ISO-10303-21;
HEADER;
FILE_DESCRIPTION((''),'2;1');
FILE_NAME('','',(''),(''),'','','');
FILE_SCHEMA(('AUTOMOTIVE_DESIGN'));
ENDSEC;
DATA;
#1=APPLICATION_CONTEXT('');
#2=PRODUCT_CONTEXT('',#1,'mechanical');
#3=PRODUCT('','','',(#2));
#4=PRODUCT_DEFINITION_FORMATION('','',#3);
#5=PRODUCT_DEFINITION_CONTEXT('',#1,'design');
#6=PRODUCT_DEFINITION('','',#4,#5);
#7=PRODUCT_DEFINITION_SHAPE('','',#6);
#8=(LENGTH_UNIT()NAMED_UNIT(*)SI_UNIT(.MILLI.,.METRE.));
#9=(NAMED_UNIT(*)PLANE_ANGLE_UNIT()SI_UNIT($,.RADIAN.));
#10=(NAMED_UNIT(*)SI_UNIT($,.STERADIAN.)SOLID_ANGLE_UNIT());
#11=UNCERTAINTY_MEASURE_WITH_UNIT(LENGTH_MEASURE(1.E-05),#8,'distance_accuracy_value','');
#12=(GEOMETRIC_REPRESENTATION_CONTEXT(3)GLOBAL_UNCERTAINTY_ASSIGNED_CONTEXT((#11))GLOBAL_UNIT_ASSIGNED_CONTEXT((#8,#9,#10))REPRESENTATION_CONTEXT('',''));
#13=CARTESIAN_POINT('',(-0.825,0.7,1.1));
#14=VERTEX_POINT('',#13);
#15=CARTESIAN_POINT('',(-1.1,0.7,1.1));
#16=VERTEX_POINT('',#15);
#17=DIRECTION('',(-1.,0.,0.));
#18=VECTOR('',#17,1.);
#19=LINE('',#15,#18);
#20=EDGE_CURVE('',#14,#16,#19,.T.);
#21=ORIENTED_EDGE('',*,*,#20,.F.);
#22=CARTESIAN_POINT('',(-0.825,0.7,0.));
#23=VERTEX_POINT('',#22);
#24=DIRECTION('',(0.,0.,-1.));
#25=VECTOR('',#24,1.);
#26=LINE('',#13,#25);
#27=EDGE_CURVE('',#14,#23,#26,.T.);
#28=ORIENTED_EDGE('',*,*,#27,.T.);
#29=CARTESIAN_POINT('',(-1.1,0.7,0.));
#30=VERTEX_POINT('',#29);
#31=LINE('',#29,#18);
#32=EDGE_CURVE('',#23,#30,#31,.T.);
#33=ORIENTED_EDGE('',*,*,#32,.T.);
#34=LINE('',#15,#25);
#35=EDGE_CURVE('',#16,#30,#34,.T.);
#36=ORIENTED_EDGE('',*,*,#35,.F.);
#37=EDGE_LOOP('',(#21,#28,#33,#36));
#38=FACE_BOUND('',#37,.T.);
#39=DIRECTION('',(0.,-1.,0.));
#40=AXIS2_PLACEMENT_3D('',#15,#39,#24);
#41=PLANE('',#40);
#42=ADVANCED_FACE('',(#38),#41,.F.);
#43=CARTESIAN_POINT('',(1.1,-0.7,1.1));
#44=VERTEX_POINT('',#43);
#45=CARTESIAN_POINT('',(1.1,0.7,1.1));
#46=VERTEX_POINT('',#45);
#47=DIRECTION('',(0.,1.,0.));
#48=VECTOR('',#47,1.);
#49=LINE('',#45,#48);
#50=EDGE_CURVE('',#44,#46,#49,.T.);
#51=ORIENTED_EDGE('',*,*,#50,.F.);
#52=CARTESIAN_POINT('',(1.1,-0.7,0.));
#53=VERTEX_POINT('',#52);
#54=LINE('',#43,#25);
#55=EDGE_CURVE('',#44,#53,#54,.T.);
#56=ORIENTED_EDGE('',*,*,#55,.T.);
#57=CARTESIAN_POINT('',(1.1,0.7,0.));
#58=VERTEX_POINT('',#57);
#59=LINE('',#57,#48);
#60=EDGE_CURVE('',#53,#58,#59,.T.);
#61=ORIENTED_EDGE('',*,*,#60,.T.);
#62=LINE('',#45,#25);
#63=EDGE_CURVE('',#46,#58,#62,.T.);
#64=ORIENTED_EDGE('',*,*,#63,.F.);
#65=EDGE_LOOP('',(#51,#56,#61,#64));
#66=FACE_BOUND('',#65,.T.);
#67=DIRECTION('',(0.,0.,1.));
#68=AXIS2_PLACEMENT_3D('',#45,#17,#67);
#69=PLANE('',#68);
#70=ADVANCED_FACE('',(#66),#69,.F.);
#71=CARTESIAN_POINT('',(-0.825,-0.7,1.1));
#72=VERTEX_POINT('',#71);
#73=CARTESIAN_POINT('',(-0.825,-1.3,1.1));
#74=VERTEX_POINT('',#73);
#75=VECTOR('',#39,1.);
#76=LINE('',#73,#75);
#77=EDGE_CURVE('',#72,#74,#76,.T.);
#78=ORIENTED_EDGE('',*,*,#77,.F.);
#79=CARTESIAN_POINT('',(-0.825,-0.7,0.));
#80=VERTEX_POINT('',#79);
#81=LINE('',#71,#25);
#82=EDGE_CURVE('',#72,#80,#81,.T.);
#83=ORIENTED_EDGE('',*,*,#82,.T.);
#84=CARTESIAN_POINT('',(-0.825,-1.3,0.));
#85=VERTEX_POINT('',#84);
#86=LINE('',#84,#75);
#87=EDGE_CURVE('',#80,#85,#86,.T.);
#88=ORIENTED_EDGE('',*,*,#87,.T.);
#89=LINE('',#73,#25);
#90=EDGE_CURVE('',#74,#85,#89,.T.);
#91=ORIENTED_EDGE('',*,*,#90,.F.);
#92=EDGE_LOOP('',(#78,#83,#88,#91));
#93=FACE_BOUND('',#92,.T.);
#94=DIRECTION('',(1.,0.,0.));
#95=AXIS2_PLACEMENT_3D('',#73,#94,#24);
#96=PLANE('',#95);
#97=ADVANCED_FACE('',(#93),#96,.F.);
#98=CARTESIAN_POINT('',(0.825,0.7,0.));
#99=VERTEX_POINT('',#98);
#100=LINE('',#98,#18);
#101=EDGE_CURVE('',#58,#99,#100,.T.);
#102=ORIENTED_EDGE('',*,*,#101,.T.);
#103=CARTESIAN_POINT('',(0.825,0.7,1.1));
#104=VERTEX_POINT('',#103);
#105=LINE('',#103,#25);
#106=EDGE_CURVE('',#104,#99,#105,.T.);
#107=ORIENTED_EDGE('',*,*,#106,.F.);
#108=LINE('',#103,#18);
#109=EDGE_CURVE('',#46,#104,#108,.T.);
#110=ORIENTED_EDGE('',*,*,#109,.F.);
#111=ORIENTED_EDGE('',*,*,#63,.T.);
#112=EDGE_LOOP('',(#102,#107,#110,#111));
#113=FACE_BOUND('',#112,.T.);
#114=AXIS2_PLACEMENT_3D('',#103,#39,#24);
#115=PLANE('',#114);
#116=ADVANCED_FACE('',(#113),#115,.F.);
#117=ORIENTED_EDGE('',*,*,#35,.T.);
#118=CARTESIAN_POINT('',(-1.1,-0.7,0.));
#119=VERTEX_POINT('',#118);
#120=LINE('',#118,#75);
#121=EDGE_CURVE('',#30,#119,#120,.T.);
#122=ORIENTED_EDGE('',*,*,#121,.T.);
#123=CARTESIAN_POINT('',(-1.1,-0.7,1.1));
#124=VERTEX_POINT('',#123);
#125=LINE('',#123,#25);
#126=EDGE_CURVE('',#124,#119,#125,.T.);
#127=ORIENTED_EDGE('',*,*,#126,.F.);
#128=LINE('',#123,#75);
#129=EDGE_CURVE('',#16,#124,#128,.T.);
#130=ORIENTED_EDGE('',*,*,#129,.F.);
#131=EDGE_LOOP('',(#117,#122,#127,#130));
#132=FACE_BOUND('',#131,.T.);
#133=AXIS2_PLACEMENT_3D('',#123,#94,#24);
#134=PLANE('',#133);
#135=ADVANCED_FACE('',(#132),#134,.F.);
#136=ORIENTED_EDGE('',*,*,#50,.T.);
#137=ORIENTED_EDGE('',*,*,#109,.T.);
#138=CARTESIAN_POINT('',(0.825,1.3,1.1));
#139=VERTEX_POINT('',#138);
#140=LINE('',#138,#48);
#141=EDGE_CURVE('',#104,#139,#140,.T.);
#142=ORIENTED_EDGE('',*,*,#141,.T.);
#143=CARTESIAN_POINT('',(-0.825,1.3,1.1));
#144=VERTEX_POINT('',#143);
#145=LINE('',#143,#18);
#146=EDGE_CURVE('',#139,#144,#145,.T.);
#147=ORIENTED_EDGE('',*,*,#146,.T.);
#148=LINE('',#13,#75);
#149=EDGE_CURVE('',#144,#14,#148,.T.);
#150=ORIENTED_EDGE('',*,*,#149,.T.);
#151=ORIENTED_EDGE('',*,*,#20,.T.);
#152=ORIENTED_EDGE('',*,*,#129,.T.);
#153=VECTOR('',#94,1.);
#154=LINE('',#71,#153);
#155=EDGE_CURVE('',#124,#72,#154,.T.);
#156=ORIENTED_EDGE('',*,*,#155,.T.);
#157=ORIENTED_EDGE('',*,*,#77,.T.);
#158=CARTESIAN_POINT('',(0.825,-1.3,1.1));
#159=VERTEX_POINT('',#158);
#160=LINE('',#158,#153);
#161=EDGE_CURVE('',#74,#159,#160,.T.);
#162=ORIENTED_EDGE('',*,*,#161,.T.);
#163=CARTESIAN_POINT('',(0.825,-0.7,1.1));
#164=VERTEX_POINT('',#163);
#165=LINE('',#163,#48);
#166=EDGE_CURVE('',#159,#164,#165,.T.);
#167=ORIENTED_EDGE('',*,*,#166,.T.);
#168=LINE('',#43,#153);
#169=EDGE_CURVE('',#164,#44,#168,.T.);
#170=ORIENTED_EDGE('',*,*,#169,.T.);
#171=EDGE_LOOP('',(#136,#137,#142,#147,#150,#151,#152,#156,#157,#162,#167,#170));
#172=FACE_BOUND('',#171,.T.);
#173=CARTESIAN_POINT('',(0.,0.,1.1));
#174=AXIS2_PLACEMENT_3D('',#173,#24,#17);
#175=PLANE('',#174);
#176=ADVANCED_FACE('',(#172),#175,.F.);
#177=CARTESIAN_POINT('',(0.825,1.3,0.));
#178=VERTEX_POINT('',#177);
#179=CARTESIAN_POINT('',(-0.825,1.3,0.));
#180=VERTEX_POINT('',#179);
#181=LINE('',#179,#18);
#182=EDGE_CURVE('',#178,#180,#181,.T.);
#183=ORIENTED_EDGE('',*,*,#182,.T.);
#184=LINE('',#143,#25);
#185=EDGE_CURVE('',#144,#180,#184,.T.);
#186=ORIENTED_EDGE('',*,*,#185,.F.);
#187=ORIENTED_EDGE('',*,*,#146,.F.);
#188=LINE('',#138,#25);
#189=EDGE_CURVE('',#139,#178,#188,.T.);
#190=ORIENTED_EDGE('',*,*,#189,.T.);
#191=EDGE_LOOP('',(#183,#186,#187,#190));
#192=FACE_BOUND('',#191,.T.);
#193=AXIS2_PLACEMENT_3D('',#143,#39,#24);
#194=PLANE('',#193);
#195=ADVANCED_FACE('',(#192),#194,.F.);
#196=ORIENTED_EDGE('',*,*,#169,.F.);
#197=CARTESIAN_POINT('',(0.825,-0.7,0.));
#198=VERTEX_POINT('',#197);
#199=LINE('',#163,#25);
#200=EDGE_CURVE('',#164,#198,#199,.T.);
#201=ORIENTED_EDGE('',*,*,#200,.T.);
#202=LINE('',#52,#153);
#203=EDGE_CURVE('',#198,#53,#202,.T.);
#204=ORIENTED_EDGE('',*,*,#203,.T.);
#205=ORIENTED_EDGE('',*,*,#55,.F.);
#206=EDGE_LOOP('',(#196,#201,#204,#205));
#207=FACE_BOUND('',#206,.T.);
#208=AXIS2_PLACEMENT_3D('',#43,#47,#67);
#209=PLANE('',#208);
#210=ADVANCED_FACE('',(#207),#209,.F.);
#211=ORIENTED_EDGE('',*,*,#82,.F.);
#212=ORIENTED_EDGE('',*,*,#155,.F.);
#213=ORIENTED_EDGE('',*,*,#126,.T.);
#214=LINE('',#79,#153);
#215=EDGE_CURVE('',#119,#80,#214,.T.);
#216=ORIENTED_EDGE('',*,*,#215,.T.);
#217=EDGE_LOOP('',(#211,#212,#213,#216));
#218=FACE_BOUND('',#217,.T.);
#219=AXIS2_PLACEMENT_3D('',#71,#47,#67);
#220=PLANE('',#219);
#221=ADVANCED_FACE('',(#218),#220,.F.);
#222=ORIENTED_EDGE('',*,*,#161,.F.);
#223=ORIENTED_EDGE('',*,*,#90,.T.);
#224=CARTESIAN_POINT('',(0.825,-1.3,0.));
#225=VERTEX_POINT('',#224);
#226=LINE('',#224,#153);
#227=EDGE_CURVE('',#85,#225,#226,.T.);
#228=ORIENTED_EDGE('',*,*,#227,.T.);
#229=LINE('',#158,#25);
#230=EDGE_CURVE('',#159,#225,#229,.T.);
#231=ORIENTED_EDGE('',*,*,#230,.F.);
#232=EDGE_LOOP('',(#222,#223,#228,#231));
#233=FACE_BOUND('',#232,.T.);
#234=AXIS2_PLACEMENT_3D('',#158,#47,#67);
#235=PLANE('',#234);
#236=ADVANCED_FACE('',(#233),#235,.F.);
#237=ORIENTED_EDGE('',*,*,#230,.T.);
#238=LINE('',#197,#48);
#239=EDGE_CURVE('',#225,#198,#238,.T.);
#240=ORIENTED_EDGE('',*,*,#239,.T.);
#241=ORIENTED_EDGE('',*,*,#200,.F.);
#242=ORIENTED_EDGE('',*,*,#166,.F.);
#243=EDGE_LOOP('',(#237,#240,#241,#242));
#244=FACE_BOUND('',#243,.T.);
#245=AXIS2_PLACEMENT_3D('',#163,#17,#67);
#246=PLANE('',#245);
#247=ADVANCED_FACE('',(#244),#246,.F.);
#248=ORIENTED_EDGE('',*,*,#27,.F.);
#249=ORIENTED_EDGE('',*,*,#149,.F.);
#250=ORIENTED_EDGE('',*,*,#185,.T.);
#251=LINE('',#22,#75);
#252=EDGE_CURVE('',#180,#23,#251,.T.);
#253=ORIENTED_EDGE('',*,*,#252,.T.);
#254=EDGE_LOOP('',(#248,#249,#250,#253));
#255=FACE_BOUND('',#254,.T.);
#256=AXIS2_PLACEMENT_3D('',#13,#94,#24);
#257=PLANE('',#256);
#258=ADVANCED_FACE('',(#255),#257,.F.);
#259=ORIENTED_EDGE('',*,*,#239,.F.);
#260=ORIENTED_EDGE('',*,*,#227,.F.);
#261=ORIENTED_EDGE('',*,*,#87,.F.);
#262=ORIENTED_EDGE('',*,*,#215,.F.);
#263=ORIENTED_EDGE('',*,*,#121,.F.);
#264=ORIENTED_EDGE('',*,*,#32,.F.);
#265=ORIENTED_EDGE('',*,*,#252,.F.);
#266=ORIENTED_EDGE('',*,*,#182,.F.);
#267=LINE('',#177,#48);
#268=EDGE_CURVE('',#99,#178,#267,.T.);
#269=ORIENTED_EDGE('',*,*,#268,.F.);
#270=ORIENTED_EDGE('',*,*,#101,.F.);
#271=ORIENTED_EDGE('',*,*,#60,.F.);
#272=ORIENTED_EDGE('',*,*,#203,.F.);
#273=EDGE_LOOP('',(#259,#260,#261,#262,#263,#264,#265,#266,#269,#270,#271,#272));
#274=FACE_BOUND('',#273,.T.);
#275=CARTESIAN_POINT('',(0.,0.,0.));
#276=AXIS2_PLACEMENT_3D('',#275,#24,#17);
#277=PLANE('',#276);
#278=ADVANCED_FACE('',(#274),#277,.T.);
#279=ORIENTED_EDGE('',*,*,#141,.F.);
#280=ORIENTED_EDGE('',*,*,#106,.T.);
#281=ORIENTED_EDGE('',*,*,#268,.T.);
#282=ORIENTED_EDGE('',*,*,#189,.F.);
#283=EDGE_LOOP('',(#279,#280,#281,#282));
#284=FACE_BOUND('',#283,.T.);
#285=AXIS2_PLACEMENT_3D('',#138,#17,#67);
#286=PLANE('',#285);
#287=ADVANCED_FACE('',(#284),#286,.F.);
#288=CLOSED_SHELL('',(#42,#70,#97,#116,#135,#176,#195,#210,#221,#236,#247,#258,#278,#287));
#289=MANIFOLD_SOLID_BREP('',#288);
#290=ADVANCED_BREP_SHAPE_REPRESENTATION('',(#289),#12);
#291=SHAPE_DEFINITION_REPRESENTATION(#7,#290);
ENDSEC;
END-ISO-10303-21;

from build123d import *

# Parameters (mm, degrees)
COMPONENT_OUTLINE_DEPTH = 1.1


with BuildPart() as part:
    # 草图1 → Component_Outline (new body)
    with BuildSketch(Plane.XY):
        Polygon((-0.825, -1.3), (-0.825, -0.7), (-1.1, -0.7), (-1.1, 0.7), (-0.825, 0.7), (-0.825, 1.3), (0.825, 1.3), (0.825, 0.7), (1.1, 0.7), (1.1, -0.7), (0.825, -0.7), (0.825, -1.3), align=None)
    extrude(amount=COMPONENT_OUTLINE_DEPTH)


solid = part.part
